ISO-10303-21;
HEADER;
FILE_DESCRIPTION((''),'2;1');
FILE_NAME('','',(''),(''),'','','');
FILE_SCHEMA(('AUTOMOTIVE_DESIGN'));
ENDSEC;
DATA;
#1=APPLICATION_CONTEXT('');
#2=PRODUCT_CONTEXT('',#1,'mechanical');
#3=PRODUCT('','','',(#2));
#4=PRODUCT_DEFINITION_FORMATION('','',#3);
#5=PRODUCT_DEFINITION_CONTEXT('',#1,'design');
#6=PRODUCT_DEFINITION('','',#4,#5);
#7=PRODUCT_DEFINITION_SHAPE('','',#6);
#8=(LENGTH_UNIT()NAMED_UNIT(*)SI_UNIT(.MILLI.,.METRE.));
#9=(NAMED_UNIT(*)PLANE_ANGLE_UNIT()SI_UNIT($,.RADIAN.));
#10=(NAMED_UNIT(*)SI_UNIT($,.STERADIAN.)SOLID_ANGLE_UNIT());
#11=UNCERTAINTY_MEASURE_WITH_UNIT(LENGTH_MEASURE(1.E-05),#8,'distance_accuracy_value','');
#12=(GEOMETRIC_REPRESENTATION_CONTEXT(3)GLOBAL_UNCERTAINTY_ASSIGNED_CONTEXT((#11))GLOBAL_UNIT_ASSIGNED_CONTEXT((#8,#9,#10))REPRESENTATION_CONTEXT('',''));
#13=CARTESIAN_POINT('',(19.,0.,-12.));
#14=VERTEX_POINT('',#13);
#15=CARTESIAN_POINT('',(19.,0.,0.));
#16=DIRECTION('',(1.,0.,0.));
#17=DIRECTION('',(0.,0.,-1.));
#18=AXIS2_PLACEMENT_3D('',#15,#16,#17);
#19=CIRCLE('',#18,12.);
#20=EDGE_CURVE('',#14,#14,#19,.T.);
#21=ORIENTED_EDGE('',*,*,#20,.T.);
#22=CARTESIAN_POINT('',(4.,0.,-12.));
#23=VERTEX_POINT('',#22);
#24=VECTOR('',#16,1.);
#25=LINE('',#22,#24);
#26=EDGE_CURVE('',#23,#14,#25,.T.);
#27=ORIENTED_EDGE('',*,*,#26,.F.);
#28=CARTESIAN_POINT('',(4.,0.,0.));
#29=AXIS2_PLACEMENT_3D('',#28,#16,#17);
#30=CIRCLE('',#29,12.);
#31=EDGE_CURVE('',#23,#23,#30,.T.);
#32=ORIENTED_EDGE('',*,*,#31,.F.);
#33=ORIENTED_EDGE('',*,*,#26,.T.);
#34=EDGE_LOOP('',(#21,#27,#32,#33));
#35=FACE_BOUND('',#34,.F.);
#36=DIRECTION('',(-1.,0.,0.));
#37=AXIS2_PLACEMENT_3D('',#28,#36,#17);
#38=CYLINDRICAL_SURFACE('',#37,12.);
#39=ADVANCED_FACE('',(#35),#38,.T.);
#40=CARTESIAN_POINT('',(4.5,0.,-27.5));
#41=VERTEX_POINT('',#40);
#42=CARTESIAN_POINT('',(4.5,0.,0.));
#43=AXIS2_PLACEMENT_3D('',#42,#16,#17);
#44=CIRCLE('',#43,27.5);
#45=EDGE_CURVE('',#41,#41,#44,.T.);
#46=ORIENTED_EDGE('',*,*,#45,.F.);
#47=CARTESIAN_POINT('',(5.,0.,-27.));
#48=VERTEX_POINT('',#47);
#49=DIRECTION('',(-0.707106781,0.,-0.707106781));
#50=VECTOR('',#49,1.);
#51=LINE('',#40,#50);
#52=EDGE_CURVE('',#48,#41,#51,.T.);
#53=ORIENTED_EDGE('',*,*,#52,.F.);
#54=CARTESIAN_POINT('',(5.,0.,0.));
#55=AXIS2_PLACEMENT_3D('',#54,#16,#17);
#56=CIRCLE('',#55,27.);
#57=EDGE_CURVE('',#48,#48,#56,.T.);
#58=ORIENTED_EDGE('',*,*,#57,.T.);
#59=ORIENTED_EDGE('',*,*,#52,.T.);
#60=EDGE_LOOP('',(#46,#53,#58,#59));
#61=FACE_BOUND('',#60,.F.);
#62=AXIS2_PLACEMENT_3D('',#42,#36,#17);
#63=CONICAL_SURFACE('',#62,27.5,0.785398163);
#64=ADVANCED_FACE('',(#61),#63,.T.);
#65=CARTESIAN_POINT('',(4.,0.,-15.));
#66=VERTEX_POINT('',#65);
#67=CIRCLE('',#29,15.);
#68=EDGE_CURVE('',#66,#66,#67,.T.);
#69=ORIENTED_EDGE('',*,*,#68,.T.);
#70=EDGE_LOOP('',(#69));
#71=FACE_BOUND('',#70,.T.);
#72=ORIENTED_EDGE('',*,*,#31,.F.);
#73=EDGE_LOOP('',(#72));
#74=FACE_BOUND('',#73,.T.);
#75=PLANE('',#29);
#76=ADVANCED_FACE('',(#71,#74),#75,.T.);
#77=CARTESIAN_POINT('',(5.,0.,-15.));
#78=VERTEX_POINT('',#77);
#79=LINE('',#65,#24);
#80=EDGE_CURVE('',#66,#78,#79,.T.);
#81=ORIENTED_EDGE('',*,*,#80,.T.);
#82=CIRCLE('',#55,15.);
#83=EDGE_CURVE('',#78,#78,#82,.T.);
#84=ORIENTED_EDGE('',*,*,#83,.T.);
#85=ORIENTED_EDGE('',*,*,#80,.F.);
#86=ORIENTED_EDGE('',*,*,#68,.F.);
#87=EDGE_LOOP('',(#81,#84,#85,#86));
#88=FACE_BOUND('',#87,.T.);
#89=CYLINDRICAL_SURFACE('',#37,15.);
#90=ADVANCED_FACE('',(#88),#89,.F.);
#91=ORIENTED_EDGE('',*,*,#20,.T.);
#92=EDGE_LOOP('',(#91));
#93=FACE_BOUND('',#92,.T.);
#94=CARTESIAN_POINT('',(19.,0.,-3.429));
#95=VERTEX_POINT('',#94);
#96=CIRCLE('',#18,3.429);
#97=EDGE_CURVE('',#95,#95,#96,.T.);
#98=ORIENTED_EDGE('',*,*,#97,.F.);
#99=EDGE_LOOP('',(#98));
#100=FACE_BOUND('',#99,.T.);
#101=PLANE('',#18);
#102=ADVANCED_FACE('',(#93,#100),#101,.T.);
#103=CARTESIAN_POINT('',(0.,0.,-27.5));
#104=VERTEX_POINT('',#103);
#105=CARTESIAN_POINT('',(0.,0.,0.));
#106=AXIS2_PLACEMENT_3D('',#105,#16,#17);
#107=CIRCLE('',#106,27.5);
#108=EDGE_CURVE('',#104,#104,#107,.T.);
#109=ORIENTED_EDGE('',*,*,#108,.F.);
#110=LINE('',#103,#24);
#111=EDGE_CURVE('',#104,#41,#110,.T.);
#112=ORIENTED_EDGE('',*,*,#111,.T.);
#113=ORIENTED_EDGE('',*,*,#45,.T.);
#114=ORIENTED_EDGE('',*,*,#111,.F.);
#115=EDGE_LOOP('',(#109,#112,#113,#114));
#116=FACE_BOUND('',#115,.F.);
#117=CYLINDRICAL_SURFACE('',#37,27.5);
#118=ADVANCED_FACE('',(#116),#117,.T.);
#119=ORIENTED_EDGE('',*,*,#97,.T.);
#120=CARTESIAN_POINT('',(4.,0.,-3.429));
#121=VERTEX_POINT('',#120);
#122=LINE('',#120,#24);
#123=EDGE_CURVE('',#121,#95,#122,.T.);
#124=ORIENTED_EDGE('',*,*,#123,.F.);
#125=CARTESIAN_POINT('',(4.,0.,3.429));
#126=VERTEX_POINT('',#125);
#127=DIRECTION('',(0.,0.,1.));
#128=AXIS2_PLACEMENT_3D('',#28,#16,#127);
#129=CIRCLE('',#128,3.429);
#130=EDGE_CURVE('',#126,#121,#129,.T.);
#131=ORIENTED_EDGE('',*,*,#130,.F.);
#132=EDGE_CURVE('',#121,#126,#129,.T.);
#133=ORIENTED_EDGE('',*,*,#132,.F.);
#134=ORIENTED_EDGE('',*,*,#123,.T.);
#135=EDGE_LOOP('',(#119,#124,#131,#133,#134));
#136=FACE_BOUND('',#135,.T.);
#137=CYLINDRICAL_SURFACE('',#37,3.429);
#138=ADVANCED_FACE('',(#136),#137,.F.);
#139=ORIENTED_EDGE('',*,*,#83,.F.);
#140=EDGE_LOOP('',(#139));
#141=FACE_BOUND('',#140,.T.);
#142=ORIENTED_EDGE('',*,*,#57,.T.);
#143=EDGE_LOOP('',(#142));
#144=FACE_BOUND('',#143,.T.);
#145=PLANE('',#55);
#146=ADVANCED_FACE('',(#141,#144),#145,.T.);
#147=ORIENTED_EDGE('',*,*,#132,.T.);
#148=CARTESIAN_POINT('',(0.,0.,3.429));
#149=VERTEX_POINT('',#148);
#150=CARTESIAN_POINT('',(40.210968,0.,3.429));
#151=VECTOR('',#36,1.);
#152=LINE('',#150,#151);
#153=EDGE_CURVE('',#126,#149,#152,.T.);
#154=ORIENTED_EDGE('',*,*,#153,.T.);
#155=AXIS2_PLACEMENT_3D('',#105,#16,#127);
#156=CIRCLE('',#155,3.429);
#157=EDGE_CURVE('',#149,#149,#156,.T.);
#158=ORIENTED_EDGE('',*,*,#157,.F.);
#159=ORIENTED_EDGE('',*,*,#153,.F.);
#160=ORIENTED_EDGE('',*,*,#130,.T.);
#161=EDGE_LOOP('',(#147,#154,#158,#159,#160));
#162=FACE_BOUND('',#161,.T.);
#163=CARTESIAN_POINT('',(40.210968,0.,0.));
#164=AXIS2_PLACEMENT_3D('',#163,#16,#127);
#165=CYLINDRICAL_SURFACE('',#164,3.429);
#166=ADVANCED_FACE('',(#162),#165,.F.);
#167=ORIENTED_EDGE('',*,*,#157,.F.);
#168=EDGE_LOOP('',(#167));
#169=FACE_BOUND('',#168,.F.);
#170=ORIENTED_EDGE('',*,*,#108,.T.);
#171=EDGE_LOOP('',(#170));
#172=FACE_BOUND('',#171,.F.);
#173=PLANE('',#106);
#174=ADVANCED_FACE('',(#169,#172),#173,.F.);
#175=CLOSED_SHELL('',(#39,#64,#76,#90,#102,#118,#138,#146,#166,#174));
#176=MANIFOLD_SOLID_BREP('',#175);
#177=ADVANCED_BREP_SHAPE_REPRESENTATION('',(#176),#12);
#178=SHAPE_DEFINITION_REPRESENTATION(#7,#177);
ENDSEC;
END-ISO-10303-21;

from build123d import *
from build123d.topology import SkipClean

# Parameters (mm, degrees)
SKETCH1_R               = 27.5
BOSS_EXTRUDE1_DEPTH     = 4
SKETCH2_R               = 27.5
SKETCH2_R_2             = 15
BOSS_EXTRUDE2_DEPTH     = 1
CUT_EXTRUDE1_DEPTH      = 40.210967853
CUT_EXTRUDE1_DEPTH_BACK = 40.210967853
SKETCH3_R               = 3.429
SKETCH4_R               = 12
SKETCH4_R_2             = 3.429
BOSS_EXTRUDE3_DEPTH     = 15
CHAMFER1_SIZE           = 0.5


with BuildPart() as part:
    # Sketch1 → Boss-Extrude1 (new body)
    with BuildSketch(Plane(origin=(0, 0, 0), x_dir=(0, 0, -1), z_dir=(1, 0, 0))):
        Circle(SKETCH1_R)
    extrude(amount=BOSS_EXTRUDE1_DEPTH)

    # Sketch2 → Boss-Extrude2 (add)
    with BuildSketch(Plane(origin=(4, 0, 0), x_dir=(0, 0, -1), z_dir=(1, 0, 0))):
        Circle(SKETCH2_R)
        Circle(SKETCH2_R_2, mode=Mode.SUBTRACT)
    extrude(amount=BOSS_EXTRUDE2_DEPTH)

    # Sketch3 → Cut-Extrude1 (cut, two sides: drawn at the far end of the back side and taken through both)
    with BuildSketch(Plane.ZY.offset(-CUT_EXTRUDE1_DEPTH_BACK)):
        Circle(SKETCH3_R)
    extrude(amount=CUT_EXTRUDE1_DEPTH + CUT_EXTRUDE1_DEPTH_BACK, mode=Mode.SUBTRACT)

    # Sketch4 → Boss-Extrude3 (add)
    with SkipClean():  # the faces are left unmerged after this step: merging them gives an invalid solid
        with BuildSketch(Plane(origin=(4, 0, 0), x_dir=(0, 0, -1), z_dir=(1, 0, 0))):
            Circle(SKETCH4_R)
            Circle(SKETCH4_R_2, mode=Mode.SUBTRACT)
        extrude(amount=BOSS_EXTRUDE3_DEPTH)

    # Chamfer1
    chamfer1_edges = [part.edges().sort_by_distance(p)[0] for p in [
        (5, 0, 27.5),
    ]]
    chamfer(chamfer1_edges, length=CHAMFER1_SIZE)


solid = part.part
